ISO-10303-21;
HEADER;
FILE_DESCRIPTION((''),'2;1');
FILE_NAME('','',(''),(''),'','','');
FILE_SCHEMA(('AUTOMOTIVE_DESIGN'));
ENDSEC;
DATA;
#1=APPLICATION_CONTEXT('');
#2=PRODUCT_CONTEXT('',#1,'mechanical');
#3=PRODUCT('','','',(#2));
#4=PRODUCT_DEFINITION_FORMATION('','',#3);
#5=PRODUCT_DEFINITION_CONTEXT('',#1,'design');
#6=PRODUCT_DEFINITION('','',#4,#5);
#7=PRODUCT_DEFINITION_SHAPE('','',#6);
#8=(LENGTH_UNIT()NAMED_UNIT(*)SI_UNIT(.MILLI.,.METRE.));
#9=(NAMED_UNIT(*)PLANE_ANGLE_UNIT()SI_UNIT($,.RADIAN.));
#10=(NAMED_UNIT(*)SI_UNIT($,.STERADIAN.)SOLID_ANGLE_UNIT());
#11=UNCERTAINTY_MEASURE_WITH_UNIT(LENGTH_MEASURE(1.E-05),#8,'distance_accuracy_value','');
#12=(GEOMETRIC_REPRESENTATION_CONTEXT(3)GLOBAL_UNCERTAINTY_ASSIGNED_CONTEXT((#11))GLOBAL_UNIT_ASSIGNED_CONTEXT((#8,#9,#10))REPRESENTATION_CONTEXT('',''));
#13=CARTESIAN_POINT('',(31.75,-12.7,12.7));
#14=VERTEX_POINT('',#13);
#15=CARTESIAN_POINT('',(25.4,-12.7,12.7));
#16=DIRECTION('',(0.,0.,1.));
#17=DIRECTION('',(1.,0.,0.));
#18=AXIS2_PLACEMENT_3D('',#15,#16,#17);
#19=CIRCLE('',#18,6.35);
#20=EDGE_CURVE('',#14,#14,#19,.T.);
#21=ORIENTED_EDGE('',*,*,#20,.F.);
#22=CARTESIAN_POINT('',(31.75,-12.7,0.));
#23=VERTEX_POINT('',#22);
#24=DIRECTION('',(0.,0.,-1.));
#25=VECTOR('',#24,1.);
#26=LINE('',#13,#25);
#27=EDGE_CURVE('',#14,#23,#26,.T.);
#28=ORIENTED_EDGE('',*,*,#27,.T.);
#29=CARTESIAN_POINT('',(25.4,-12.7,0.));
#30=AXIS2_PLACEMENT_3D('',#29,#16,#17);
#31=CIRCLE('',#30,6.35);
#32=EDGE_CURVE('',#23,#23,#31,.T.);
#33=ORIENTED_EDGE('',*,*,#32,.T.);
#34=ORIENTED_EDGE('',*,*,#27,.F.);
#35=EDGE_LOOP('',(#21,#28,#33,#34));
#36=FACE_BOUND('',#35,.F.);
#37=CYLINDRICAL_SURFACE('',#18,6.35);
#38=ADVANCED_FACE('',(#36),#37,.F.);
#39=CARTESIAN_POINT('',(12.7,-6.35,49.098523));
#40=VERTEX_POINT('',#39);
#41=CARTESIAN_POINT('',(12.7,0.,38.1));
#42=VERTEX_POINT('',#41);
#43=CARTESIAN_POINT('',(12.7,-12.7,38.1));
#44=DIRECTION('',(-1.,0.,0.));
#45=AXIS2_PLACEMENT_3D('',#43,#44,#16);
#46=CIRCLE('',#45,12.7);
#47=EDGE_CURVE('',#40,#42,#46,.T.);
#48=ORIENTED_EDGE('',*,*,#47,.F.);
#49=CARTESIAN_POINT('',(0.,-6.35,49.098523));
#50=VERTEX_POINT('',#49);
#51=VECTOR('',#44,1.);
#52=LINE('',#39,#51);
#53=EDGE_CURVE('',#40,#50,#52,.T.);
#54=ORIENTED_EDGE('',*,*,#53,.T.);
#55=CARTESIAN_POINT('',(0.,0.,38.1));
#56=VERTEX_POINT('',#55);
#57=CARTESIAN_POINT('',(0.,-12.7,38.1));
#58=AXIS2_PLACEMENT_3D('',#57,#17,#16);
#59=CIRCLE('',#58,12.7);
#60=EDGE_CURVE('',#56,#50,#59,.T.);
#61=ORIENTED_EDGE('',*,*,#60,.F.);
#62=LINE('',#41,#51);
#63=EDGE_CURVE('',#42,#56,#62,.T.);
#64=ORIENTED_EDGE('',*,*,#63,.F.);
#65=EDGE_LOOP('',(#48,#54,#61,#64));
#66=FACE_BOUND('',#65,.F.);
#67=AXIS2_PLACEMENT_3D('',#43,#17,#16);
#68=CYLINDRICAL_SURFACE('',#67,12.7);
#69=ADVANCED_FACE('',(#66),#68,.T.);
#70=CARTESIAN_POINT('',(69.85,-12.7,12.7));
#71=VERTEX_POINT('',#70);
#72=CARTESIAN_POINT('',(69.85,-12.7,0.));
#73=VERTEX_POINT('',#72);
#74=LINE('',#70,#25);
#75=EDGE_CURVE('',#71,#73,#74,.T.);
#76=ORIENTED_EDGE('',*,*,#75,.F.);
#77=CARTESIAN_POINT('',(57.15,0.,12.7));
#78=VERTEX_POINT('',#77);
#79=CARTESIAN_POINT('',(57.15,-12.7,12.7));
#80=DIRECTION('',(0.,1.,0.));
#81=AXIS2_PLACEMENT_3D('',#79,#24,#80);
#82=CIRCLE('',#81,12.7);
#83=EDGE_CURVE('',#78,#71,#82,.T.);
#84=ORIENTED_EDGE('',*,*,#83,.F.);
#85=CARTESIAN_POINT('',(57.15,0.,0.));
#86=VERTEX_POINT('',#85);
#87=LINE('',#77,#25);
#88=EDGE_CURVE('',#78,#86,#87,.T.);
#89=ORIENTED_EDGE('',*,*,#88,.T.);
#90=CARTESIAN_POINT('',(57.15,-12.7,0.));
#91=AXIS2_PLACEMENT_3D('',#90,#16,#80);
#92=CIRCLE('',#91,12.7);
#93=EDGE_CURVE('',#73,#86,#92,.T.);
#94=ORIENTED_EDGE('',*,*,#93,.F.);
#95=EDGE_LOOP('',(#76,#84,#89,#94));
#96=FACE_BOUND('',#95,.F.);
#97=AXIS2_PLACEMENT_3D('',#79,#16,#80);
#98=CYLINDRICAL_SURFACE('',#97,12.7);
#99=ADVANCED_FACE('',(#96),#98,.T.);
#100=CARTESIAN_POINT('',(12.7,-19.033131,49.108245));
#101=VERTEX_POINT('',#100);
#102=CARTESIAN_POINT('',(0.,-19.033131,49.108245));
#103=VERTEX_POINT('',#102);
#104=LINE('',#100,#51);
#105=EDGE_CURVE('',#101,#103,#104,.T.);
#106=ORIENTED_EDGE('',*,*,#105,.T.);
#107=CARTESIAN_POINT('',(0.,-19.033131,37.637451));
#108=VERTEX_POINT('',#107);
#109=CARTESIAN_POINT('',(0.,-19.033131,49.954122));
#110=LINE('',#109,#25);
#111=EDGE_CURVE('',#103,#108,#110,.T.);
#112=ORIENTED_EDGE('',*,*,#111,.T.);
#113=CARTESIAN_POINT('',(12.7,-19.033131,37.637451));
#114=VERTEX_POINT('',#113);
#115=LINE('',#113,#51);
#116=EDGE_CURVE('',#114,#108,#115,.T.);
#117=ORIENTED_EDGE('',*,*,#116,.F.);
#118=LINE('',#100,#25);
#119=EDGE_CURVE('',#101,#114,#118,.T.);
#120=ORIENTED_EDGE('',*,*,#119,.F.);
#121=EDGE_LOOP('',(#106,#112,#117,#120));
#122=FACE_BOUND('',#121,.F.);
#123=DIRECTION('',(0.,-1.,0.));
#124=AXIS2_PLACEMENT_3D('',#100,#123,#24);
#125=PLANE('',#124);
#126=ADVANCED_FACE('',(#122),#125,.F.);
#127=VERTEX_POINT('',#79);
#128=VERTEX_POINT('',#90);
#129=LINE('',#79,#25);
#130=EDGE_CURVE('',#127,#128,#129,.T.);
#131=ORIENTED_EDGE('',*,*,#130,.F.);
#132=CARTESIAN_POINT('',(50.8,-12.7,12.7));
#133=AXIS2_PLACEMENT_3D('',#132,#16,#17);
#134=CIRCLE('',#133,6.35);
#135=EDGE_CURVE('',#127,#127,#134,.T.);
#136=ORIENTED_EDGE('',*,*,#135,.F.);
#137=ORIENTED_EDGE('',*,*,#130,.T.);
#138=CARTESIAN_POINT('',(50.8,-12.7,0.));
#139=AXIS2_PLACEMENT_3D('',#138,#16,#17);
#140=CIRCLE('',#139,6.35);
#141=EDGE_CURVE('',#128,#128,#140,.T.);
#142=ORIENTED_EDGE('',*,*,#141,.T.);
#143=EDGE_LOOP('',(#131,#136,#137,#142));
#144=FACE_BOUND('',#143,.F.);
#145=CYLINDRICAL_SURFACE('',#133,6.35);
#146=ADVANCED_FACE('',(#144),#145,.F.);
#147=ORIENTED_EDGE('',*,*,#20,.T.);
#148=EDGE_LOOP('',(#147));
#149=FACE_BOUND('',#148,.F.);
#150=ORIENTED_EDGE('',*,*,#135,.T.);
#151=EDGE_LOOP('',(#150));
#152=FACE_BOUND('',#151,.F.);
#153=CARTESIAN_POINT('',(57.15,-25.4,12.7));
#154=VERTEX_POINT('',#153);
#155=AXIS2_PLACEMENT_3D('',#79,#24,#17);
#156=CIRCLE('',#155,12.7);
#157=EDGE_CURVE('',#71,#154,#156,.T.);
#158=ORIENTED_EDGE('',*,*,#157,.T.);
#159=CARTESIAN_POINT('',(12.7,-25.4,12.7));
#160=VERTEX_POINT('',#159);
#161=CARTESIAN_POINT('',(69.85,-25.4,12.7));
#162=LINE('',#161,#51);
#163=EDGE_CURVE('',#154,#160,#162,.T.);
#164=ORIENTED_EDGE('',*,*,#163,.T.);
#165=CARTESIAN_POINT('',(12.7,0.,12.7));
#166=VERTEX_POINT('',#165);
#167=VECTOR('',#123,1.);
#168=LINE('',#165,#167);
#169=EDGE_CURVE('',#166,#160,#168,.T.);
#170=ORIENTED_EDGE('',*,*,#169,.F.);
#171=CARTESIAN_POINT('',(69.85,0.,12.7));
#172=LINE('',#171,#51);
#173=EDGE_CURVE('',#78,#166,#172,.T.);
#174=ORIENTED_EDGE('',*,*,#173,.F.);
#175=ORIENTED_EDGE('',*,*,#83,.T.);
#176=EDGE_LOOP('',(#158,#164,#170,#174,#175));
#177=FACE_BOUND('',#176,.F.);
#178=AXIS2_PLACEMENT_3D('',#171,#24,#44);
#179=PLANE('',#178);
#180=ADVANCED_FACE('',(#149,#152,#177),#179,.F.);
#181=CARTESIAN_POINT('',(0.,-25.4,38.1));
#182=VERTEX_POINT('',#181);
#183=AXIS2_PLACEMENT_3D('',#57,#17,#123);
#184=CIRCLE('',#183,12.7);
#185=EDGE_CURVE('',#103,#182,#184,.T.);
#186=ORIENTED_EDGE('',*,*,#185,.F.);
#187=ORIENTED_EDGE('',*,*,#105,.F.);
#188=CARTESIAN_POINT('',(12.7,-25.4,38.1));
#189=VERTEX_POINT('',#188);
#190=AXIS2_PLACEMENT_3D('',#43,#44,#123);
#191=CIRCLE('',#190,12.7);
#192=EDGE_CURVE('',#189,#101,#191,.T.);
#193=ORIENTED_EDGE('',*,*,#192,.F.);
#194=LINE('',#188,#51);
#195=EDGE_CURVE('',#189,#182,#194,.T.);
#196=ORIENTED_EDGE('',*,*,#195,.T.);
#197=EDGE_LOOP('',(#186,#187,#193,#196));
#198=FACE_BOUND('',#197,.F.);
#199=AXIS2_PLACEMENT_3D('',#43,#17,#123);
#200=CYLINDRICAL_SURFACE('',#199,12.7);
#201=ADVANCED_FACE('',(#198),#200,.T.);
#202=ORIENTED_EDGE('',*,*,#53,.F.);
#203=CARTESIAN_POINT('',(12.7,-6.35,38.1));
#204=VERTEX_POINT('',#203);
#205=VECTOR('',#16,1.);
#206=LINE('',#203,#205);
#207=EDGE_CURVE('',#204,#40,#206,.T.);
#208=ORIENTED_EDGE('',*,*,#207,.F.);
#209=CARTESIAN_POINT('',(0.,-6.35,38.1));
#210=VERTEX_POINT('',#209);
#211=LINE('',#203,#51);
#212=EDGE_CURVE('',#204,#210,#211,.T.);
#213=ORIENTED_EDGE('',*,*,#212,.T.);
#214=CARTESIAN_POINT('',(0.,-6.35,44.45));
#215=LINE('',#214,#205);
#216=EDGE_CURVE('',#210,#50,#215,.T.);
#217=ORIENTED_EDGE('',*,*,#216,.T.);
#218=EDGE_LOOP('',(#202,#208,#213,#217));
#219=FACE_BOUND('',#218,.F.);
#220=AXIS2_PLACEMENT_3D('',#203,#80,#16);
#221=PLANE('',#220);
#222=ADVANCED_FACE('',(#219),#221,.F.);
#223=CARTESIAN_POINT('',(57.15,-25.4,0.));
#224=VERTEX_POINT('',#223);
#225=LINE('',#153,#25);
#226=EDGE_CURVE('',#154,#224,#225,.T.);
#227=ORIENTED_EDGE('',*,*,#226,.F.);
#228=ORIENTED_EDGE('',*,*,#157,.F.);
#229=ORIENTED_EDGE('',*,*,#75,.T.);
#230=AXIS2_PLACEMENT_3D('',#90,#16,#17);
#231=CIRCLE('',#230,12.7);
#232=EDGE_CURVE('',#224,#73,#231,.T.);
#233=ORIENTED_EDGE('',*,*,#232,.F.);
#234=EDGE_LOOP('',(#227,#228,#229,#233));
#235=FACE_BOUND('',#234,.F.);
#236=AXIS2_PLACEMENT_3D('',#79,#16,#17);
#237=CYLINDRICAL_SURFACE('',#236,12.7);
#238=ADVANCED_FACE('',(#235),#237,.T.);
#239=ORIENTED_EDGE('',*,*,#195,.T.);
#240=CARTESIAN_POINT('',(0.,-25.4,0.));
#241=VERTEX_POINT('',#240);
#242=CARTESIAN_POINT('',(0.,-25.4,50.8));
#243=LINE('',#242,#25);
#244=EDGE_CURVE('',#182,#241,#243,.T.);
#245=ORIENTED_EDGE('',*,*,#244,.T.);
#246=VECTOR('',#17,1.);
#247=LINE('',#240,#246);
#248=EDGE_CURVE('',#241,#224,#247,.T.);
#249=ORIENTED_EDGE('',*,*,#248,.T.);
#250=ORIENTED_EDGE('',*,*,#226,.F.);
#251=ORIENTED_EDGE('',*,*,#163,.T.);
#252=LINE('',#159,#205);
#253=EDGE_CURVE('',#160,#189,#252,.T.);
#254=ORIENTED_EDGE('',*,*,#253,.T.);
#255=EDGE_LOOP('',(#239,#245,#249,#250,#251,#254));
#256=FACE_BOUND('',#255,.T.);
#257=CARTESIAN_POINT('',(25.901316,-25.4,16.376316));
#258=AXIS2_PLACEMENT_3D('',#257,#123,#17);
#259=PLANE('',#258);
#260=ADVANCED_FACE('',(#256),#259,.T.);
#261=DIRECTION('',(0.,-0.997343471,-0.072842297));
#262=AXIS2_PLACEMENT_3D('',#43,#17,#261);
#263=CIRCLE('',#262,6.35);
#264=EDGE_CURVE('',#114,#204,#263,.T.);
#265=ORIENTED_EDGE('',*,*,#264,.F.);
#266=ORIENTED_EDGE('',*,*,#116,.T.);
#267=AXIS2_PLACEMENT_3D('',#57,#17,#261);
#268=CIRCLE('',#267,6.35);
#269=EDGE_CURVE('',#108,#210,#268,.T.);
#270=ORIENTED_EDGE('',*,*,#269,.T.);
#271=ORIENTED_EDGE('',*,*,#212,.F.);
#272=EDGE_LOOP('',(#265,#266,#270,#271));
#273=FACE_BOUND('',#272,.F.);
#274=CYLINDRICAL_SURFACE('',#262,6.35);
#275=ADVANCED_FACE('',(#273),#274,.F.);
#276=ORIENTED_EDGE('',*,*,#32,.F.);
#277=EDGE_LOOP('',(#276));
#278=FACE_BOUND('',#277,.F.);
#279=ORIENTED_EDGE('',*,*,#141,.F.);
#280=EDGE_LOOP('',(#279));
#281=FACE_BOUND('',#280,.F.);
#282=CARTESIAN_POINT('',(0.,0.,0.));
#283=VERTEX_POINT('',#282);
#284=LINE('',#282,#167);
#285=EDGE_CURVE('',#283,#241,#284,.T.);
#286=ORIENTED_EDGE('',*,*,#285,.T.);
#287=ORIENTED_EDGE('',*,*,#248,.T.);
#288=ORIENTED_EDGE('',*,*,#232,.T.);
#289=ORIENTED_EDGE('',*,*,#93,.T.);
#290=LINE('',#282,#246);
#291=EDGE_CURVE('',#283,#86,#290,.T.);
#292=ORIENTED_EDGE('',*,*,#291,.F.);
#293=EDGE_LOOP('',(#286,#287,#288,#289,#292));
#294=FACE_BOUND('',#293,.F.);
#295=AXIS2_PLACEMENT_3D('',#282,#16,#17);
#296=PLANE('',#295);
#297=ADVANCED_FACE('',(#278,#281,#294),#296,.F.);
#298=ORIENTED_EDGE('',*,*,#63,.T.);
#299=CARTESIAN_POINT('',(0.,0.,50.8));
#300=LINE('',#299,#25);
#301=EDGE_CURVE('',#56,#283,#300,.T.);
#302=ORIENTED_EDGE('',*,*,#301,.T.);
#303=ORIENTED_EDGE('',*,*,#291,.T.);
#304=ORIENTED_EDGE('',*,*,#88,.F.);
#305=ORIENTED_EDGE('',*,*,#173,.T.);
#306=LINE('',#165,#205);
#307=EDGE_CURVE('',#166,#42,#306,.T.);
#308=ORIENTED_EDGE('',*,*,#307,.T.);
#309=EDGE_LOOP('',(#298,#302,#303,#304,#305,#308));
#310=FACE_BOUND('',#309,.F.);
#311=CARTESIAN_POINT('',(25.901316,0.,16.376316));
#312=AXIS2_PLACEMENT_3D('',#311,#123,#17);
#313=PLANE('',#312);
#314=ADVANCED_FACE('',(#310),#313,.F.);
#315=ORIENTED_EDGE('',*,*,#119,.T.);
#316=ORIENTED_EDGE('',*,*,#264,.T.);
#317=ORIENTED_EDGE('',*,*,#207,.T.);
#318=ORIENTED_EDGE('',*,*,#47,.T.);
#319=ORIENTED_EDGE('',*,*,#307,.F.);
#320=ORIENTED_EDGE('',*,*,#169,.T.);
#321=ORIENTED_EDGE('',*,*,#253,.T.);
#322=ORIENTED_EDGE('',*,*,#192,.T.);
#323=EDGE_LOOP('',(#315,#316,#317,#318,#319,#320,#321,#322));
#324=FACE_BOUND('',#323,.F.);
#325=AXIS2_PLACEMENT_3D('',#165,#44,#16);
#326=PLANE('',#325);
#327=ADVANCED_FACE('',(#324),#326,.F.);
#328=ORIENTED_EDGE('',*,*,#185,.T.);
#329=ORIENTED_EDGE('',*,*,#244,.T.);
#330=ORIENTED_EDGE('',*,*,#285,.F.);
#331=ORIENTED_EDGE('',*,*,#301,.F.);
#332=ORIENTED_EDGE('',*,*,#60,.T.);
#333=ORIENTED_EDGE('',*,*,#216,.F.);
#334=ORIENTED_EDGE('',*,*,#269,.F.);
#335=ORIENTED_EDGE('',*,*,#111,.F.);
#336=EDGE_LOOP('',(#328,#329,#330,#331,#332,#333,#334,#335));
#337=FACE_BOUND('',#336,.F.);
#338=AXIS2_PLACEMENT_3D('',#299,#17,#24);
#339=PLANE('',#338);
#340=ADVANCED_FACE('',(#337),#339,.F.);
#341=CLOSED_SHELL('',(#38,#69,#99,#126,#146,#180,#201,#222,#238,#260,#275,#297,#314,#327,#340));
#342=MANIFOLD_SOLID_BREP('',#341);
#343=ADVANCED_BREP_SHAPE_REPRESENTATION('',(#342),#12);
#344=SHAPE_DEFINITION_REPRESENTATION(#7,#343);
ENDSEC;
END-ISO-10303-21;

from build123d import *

# Parameters (mm, degrees)
F1_DEPTH = 25.4
F2_R     = 6.35
F3_DEPTH = 25.4
F5_DEPTH = 25.4
F7_DEPTH = 25.4


with BuildPart() as f1:
    # F0 (on Front) → F1 (new body)
    with BuildSketch(Plane.XZ):
        Polygon((12.7, 50.8), (0, 50.8), (0, 0), (69.85, 0), (69.85, 12.7), (12.7, 12.7), align=None)
    extrude(amount=F1_DEPTH)

    # F2 (on face) → F3 (cut)
    with BuildSketch(Plane.XY.offset(12.7)):
        with Locations((25.4, -12.7)):
            Circle(F2_R)
        with BuildLine():
            Line((69.85, -25.4), (69.85, -12.7))
            ThreePointArc((69.85, -12.7), (66.1302561211, -21.6802561211), (57.15, -25.4))
            Line((57.15, -25.4), (69.85, -25.4))
        make_face()
        with Locations((50.8, -12.7)):
            Circle(F2_R)
        with BuildLine():
            Line((69.85, 0), (57.15, 0))
            ThreePointArc((57.15, 0), (66.1302561211, -3.7197438789), (69.85, -12.7))
            Line((69.85, -12.7), (69.85, 0))
        make_face()
    extrude(amount=-F3_DEPTH, mode=Mode.SUBTRACT)

    # F4 (on face) → F5 (cut)
    with BuildSketch(Plane.YZ.offset(12.7)):
        with BuildLine():
            Line((0, 38.1), (0, 39.259262383))
            Line((0, 39.259262383), (0, 50.8))
            Line((0, 50.8), (-12.7, 50.8))
            ThreePointArc((-12.7, 50.8), (-3.7197438789, 47.0802561211), (0, 38.1))
        make_face()
        with BuildLine():
            ThreePointArc((-25.4, 38.1), (-21.6802561211, 47.0802561211), (-12.7, 50.8))
            Line((-12.7, 50.8), (-25.4, 50.8))
            Line((-25.4, 50.8), (-25.4, 39.259262383))
            Line((-25.4, 39.259262383), (-25.4, 38.1))
        make_face()
    extrude(amount=-F5_DEPTH, mode=Mode.SUBTRACT)

    # F6 (on face) → F7 (cut)
    with BuildSketch(Plane.YZ.offset(12.7)):
        with BuildLine():
            Line((-19.0331310429, 38.5625485848), (-19.0331310429, 37.6374514152))
            ThreePointArc((-19.0331310429, 37.6374514152), (-12.4685719577, 31.7542186406), (-6.35, 38.1))
            ThreePointArc((-6.35, 38.1), (-12.4685719577, 44.4457813594), (-19.0331310429, 38.5625485848))
        make_face()
        with BuildLine():
            ThreePointArc((-19.0331310429, 38.5625485848), (-12.4685719577, 44.4457813594), (-6.35, 38.1))
            Line((-6.35, 38.1), (-6.35, 49.0985226281))
            ThreePointArc((-6.35, 49.0985226281), (-12.6902650085, 50.7999962689), (-19.0331310429, 49.1082446917))
            Line((-19.0331310429, 49.1082446917), (-19.0331310429, 38.5625485848))
        make_face()
    extrude(amount=-F7_DEPTH, mode=Mode.SUBTRACT)


solid = f1.part
